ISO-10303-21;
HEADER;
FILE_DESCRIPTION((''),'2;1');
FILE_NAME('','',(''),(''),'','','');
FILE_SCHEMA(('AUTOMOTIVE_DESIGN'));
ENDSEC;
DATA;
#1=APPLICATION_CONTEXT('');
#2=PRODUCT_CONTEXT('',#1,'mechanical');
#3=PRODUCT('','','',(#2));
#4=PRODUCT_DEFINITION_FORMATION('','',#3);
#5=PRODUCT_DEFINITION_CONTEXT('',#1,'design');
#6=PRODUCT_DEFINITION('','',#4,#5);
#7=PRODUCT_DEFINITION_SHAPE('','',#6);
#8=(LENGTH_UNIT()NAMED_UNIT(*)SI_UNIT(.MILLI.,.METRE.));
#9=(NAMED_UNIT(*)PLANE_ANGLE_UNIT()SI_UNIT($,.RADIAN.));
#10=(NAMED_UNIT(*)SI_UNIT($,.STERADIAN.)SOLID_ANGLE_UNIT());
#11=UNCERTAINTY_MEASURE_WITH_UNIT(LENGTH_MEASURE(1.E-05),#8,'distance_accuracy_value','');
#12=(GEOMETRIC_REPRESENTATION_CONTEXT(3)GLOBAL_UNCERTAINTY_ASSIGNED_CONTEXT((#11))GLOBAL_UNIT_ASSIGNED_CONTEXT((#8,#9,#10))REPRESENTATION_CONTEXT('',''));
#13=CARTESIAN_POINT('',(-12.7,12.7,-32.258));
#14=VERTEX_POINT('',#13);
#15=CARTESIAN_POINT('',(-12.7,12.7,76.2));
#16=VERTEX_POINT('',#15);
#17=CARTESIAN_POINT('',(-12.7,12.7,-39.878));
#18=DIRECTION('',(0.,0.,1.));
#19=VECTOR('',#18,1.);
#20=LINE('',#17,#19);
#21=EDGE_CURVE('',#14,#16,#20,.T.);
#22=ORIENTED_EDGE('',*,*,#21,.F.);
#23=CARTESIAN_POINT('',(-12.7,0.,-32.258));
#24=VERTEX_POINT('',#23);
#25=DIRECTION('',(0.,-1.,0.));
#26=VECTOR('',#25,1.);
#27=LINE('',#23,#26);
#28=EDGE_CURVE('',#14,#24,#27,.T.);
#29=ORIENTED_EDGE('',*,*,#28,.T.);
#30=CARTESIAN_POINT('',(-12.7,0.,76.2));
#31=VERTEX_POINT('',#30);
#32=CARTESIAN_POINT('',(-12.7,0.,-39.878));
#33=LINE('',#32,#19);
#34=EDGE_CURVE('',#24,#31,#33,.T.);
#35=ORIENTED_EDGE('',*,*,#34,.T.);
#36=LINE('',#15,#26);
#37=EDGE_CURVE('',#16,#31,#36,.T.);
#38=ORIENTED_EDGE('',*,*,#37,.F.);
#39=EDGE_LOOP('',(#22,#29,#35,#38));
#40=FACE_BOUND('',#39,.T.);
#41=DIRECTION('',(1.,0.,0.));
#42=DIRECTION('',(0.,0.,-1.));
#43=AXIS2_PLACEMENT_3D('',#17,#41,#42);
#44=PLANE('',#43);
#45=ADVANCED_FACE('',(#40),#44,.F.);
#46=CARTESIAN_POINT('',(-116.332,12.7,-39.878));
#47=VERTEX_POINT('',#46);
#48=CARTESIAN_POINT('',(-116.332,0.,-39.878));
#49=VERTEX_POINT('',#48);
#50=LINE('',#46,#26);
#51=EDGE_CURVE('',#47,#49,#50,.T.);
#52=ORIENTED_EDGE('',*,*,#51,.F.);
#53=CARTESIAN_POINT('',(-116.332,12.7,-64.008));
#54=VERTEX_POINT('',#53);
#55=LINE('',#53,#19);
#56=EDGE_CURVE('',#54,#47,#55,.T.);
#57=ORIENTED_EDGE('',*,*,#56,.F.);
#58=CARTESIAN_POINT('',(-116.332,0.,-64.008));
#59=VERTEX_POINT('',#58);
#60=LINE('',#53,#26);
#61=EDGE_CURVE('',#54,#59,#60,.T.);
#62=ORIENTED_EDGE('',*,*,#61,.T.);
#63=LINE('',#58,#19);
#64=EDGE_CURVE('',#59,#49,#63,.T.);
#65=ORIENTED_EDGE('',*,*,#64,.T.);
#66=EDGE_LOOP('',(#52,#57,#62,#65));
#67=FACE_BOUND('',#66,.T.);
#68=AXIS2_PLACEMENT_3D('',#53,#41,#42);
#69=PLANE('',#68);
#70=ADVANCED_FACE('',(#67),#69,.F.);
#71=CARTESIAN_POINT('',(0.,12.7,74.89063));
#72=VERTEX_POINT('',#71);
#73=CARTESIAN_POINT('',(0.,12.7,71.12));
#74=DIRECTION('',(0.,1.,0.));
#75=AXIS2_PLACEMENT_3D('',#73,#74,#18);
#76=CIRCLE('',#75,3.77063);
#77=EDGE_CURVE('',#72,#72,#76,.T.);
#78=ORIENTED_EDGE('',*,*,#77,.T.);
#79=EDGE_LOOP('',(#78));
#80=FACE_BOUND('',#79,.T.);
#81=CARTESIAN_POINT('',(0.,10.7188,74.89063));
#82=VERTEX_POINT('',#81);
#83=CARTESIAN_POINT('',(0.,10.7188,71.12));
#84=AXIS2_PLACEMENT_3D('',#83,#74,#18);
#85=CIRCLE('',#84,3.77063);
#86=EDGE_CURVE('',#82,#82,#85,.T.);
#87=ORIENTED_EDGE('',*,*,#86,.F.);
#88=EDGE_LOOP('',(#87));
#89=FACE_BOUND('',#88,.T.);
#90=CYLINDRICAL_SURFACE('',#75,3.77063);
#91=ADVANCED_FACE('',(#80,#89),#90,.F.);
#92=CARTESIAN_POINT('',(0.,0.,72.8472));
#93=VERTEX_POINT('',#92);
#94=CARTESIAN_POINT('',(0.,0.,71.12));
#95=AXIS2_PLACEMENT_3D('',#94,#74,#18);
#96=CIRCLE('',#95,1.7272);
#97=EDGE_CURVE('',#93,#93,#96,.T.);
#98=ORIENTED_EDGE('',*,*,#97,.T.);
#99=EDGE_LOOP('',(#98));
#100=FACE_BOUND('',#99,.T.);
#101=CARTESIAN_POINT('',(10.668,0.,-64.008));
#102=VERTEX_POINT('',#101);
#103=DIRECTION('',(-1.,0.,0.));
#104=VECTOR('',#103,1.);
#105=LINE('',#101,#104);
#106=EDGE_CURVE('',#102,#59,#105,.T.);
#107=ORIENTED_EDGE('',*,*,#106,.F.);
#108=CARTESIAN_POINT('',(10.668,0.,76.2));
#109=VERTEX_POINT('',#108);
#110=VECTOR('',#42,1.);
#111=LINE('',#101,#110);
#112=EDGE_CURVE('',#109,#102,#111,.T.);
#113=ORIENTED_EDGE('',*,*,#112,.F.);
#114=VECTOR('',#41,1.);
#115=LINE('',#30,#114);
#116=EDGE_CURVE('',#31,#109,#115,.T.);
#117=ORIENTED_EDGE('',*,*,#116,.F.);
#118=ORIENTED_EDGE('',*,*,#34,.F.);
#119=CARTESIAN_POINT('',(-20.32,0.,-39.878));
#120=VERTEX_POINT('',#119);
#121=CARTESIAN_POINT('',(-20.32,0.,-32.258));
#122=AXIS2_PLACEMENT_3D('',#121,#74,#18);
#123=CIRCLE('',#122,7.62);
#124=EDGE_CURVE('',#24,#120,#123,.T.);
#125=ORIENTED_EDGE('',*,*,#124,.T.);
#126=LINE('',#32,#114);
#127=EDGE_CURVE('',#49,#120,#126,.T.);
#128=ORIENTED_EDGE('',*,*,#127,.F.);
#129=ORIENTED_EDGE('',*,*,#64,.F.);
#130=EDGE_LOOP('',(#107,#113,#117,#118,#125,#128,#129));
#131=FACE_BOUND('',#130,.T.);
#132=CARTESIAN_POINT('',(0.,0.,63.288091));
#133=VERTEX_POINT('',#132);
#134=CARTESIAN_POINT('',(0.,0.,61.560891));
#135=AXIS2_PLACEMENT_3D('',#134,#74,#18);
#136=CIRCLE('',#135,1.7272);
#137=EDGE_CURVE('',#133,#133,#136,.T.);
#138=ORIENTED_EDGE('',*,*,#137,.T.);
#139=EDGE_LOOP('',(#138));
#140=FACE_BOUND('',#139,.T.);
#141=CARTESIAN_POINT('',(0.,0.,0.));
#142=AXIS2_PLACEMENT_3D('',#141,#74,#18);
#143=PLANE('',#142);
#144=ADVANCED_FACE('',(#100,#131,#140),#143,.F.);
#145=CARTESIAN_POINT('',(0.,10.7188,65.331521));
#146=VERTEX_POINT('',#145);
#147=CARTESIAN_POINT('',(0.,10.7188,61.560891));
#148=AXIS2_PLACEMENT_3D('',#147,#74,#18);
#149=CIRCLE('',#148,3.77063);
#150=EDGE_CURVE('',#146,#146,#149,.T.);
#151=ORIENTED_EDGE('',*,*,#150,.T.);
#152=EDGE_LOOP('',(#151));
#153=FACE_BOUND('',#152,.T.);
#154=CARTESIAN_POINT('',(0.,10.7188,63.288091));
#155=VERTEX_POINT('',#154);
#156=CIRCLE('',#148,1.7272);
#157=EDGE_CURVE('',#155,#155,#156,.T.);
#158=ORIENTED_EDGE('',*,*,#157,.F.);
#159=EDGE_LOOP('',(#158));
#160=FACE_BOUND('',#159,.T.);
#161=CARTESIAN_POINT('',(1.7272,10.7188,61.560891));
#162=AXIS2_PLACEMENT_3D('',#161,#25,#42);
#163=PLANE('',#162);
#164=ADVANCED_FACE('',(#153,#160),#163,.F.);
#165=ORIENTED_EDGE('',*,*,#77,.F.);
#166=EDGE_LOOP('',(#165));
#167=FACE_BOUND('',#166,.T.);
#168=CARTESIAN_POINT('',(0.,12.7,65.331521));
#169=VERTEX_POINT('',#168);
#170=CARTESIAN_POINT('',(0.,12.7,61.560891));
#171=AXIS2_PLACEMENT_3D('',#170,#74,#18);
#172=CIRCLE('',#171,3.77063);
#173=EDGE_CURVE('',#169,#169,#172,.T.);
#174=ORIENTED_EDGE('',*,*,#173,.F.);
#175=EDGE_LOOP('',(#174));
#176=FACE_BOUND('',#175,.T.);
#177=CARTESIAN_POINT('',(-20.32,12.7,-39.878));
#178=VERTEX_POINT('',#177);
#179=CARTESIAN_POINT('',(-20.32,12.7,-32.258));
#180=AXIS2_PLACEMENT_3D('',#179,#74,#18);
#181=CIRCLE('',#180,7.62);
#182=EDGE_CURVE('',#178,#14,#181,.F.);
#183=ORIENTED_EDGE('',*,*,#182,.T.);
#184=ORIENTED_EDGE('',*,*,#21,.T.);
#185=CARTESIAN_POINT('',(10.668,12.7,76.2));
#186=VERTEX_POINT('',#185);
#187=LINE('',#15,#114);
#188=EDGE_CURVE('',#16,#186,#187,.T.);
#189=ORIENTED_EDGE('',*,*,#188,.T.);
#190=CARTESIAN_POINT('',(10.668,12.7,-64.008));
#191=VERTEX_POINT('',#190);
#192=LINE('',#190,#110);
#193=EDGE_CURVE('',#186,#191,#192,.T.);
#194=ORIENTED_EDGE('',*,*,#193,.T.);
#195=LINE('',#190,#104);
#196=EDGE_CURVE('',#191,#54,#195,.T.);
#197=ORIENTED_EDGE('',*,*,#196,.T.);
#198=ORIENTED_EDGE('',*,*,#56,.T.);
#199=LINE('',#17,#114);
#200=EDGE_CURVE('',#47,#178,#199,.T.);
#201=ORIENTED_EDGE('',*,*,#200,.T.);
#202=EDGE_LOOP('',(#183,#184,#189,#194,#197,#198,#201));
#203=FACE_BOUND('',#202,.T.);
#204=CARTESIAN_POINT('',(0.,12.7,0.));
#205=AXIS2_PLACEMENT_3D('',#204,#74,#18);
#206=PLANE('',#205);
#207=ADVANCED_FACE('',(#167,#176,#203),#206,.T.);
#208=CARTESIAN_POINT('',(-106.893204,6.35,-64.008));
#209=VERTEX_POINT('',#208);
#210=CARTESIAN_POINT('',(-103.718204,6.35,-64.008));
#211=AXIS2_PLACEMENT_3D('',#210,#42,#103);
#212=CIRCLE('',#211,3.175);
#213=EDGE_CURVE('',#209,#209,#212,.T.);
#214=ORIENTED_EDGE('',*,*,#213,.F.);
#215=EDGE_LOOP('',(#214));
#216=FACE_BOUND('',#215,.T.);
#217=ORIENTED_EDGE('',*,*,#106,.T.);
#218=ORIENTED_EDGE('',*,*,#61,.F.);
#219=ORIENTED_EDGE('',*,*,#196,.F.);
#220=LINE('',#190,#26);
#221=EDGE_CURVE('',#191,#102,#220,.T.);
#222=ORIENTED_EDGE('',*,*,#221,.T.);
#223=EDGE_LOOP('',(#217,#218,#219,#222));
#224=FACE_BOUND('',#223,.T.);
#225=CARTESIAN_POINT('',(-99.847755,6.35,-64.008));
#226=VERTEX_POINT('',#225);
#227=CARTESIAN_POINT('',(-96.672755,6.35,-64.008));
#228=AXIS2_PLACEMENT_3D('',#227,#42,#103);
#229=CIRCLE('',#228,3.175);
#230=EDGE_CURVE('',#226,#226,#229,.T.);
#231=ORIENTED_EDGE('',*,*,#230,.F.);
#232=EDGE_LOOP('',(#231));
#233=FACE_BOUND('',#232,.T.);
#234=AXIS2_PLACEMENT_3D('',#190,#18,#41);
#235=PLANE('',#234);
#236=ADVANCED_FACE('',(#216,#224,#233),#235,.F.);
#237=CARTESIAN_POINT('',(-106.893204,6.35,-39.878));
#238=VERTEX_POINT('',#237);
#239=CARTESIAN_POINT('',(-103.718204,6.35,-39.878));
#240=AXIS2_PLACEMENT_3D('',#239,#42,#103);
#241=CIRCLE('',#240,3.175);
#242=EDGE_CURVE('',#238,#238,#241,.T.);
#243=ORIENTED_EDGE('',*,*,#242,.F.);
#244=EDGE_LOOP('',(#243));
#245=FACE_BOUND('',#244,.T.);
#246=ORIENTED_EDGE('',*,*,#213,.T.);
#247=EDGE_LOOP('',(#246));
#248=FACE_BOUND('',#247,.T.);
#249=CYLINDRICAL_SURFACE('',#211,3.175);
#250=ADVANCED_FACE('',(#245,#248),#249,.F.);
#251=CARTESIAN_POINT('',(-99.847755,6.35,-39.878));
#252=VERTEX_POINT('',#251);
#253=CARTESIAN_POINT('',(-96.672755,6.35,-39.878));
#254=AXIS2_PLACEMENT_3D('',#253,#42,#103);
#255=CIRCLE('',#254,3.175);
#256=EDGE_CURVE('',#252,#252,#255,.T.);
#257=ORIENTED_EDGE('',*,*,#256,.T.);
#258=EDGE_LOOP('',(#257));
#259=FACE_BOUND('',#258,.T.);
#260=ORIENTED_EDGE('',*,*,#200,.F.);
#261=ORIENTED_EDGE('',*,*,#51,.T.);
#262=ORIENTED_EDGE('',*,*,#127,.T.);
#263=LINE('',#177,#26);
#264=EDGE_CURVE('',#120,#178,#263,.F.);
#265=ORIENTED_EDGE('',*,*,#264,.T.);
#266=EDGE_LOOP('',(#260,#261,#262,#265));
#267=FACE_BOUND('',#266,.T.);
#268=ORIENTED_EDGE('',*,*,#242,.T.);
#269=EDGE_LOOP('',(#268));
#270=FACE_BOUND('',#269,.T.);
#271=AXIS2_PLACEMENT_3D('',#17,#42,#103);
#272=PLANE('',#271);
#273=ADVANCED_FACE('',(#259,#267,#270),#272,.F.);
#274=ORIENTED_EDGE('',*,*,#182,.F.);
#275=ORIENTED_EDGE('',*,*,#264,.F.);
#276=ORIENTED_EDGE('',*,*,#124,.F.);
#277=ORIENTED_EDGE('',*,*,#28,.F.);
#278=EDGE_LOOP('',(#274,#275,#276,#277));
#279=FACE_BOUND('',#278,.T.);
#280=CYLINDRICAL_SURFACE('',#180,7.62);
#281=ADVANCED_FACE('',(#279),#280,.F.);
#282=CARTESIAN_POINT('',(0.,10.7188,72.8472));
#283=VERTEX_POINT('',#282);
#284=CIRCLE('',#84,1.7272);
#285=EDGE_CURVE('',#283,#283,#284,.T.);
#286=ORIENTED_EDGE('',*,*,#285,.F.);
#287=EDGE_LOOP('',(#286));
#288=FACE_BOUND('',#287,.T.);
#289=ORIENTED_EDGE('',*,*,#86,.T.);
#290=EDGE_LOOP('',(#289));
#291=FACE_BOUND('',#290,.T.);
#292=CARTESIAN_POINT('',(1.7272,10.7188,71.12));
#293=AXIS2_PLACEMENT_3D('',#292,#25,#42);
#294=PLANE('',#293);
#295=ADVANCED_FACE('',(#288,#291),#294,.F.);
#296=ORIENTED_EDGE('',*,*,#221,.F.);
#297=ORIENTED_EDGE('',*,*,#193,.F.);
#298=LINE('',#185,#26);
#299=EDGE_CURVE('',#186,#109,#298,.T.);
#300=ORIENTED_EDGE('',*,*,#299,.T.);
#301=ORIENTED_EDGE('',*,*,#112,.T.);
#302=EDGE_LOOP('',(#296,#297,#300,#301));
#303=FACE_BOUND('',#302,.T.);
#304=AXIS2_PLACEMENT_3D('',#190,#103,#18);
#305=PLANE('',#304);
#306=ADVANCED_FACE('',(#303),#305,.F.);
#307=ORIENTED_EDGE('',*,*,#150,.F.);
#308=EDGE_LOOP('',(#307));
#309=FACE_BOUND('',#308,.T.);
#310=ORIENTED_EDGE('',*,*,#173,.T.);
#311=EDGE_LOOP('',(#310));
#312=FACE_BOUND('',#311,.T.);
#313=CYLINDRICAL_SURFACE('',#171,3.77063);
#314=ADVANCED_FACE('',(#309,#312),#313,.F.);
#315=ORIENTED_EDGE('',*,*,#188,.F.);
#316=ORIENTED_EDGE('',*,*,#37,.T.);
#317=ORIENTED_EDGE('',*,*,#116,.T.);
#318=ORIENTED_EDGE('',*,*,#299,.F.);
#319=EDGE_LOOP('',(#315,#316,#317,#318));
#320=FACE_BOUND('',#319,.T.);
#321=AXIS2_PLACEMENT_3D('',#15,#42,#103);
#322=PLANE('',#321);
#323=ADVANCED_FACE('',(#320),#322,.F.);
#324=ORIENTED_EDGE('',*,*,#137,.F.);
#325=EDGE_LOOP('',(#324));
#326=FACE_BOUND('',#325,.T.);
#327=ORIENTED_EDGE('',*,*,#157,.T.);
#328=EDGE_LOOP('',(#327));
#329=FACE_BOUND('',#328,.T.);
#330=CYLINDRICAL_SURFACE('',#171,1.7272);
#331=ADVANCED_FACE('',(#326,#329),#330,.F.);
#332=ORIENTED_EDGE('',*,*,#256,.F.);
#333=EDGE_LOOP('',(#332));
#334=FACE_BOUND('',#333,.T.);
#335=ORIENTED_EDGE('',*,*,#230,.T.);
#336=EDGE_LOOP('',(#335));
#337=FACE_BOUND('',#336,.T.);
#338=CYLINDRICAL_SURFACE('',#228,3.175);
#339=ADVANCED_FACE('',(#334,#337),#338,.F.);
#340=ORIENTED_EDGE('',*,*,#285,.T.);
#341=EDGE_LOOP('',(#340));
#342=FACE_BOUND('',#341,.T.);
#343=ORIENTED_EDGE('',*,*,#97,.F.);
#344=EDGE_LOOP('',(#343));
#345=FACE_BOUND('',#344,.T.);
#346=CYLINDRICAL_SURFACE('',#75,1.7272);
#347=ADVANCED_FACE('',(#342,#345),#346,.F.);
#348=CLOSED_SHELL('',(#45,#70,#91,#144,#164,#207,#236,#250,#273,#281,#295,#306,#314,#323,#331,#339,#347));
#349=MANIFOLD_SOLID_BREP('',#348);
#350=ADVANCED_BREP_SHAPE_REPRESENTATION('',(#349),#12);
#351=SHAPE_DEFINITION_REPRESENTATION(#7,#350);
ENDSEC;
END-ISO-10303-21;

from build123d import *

# Parameters (mm, degrees)
BOSS_EXTRUDE1_DEPTH                                 = 12.7
FILLET1_R                                           = 7.62
CBORE_FOR_5_BINDING_HEAD_MACHINE_SCREW1_D           = 3.4544
CBORE_FOR_5_BINDING_HEAD_MACHINE_SCREW1_DEPTH       = 12.7
CBORE_FOR_5_BINDING_HEAD_MACHINE_SCREW1_CBORE_D     = 7.54126
CBORE_FOR_5_BINDING_HEAD_MACHINE_SCREW1_CBORE_DEPTH = 1.9812
F_1_4_0_25_DIAMETER_HOLE2_D                         = 6.35
F_1_4_0_25_DIAMETER_HOLE2_DEPTH                     = 24.13


with BuildPart() as part:
    # Sketch1 → Boss-Extrude1 (new body)
    with BuildSketch(Plane(origin=(0, 0, 0), x_dir=(1, 0, 0), z_dir=(0, 1, 0))):
        Polygon((-12.7, 39.878), (-116.332, 39.878), (-116.332, 64.008), (10.668, 64.008), (10.668, -76.2), (-12.7, -76.2), align=None)
    extrude(amount=BOSS_EXTRUDE1_DEPTH)

    # Fillet1
    fillet1_edges = [part.edges().sort_by_distance(p)[0] for p in [
        (-12.7, 6.35, -39.878),
    ]]
    fillet(fillet1_edges, radius=FILLET1_R)

    # CBORE for #5 Binding Head Machine Screw1
    with Locations(Plane(origin=(0, 12.7, 0), x_dir=(1, 0, 0), z_dir=(0, 1, 0))):
        with Locations((0, -71.12), (0, -61.560890579)):
            CounterBoreHole(CBORE_FOR_5_BINDING_HEAD_MACHINE_SCREW1_D / 2, CBORE_FOR_5_BINDING_HEAD_MACHINE_SCREW1_CBORE_D / 2, CBORE_FOR_5_BINDING_HEAD_MACHINE_SCREW1_CBORE_DEPTH, depth=CBORE_FOR_5_BINDING_HEAD_MACHINE_SCREW1_DEPTH)

    # 1/4 (0.25) Diameter Hole2
    with Locations(Plane(origin=(0, 0, -64.008), x_dir=(-1, 0, 0), z_dir=(0, 0, -1))):
        with Locations((103.718203887, 6.35), (96.672754807, 6.35)):
            Hole(F_1_4_0_25_DIAMETER_HOLE2_D / 2, depth=F_1_4_0_25_DIAMETER_HOLE2_DEPTH)


solid = part.part
